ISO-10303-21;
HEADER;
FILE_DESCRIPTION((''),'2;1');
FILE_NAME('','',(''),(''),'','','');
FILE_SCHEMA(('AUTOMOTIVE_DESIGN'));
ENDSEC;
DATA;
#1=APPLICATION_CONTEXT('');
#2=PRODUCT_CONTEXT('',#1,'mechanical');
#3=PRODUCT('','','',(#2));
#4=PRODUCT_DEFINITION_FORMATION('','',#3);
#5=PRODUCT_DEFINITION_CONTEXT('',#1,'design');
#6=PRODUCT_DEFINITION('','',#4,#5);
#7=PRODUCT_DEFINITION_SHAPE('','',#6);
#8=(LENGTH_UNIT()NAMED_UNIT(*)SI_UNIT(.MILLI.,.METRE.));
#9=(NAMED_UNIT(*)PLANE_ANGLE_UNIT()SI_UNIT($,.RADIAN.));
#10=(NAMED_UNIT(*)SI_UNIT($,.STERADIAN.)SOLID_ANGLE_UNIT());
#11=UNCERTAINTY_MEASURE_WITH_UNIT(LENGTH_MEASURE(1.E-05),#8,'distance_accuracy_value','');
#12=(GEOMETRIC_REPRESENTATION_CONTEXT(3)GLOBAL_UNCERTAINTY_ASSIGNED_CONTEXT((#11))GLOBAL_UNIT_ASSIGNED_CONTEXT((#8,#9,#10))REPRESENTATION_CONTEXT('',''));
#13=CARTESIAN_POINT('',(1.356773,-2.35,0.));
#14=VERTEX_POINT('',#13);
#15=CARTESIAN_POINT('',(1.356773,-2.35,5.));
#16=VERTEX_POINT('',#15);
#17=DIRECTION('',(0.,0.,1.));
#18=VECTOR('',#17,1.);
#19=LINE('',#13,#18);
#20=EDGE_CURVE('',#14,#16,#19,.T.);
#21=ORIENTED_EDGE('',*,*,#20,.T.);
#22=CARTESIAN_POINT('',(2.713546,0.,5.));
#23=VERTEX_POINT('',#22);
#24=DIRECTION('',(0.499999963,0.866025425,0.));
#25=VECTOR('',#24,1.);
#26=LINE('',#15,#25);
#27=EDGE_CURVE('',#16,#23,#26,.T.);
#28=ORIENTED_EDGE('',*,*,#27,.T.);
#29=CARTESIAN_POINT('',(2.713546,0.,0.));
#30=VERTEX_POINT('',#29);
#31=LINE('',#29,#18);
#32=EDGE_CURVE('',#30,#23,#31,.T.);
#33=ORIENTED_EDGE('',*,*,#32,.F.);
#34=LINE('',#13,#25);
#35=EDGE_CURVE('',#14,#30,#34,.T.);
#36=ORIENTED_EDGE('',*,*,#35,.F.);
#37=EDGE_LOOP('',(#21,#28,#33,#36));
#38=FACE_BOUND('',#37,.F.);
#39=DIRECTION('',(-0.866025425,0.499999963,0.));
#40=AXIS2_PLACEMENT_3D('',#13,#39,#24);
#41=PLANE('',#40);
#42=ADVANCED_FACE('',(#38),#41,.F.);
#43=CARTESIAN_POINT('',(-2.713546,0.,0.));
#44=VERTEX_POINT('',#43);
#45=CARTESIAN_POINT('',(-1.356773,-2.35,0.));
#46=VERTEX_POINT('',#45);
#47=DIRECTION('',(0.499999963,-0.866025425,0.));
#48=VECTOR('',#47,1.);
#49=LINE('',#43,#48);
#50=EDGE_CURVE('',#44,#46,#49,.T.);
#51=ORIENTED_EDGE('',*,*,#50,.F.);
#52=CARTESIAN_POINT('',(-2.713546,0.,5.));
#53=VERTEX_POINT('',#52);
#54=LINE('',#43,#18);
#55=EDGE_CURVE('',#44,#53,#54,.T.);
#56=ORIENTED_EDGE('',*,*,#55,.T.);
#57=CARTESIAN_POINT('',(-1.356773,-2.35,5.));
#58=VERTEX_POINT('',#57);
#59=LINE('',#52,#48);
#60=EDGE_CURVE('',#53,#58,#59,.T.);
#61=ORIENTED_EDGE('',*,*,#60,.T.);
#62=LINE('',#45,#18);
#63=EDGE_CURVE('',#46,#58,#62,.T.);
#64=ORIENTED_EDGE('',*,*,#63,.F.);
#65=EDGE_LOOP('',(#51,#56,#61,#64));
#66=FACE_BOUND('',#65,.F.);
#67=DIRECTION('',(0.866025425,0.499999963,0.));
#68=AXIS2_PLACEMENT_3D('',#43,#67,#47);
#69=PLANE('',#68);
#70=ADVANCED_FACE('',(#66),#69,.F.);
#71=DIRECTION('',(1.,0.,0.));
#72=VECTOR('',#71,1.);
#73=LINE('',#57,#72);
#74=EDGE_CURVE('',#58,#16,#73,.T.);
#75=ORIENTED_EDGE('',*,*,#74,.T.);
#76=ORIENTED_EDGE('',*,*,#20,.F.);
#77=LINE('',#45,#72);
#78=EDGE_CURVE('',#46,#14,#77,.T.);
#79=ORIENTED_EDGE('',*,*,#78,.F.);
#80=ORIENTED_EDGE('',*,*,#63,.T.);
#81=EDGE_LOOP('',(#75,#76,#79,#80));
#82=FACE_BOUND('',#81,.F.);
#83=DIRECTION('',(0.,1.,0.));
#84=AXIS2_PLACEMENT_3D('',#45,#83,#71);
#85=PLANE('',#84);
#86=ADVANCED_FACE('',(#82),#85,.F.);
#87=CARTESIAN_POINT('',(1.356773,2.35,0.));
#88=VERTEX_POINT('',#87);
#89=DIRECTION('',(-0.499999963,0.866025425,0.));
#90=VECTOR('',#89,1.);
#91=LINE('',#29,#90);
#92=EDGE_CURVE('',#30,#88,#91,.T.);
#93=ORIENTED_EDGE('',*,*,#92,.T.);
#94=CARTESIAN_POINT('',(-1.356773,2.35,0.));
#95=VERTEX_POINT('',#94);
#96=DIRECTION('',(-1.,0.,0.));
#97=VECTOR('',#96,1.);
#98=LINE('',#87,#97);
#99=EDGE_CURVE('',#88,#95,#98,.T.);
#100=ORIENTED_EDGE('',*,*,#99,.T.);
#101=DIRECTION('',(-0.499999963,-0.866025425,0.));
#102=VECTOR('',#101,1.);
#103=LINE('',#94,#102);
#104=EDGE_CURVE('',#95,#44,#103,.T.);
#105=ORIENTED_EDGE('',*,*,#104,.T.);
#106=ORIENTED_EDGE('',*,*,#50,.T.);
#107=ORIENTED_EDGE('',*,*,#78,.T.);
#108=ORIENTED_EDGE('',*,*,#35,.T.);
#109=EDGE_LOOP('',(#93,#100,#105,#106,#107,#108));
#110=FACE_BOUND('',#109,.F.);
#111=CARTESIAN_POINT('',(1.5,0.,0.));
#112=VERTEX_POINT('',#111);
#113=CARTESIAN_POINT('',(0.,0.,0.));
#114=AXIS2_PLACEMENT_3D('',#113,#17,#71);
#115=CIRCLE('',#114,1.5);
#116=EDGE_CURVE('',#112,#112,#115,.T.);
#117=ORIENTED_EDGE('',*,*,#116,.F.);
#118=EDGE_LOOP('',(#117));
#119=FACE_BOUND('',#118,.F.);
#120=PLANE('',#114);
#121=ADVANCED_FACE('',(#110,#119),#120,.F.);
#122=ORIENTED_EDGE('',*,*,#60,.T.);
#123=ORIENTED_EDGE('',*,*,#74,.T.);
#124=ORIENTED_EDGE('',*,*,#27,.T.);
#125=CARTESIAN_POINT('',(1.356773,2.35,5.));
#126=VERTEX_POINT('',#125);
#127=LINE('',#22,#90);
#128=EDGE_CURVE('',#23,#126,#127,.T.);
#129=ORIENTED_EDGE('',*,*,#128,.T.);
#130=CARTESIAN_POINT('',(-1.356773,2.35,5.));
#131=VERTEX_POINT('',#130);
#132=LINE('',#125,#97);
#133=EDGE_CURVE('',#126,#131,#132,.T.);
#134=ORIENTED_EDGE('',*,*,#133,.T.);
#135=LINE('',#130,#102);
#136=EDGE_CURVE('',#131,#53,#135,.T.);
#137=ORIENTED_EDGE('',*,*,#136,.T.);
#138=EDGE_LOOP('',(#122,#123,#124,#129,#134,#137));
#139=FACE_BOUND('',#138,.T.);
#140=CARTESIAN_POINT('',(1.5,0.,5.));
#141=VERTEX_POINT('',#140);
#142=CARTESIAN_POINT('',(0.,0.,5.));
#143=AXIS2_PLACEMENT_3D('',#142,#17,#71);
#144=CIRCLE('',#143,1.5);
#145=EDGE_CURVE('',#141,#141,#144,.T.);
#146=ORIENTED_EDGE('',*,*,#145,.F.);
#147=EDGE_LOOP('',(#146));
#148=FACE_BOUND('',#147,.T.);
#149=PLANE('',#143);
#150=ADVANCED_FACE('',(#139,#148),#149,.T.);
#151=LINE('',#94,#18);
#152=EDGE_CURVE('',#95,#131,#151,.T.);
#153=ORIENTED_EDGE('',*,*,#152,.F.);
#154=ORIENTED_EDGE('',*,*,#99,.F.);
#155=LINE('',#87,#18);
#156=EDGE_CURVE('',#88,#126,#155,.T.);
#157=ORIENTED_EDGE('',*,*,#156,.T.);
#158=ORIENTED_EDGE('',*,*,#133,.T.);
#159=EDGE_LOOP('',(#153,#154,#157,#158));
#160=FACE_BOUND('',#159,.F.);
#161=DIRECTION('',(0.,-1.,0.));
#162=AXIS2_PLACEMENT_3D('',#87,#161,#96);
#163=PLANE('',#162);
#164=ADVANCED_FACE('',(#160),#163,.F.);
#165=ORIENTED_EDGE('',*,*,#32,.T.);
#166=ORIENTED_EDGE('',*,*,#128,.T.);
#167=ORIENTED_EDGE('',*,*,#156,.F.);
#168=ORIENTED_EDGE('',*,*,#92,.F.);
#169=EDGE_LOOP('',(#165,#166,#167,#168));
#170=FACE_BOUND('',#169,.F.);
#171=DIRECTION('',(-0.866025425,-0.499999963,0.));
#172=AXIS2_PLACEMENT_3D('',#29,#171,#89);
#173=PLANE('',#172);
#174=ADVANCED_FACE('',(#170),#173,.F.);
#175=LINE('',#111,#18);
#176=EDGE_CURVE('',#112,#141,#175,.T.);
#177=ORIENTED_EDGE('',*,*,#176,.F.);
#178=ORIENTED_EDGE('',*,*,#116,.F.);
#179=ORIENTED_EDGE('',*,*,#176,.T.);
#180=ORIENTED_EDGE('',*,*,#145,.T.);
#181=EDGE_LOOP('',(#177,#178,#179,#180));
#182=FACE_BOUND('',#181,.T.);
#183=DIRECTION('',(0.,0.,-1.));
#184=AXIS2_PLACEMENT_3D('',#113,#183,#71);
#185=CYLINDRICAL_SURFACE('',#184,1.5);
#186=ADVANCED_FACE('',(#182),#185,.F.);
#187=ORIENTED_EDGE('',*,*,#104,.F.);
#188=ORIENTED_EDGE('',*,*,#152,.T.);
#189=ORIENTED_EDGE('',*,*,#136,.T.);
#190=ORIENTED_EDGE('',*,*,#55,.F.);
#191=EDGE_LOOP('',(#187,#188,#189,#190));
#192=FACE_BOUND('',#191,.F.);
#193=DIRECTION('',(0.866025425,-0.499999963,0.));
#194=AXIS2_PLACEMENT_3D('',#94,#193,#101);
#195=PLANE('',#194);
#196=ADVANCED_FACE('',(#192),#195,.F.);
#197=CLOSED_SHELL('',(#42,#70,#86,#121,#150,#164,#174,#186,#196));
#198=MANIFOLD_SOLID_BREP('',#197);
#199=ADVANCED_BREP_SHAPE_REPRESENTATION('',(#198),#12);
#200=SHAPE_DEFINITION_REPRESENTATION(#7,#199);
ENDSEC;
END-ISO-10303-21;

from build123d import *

# Parameters (mm, degrees)
SKETCH_R  = 1.5
PAD_DEPTH = 5


with BuildPart() as part:
    # Sketch → Pad (new body)
    with BuildSketch(Plane.XY):
        Polygon((1.356773, -2.35), (2.713546, 0), (1.356773, 2.35), (-1.356773, 2.35), (-2.713546, 0), (-1.356773, -2.35), align=None)
        Circle(SKETCH_R, mode=Mode.SUBTRACT)
    extrude(amount=PAD_DEPTH)


solid = part.part
